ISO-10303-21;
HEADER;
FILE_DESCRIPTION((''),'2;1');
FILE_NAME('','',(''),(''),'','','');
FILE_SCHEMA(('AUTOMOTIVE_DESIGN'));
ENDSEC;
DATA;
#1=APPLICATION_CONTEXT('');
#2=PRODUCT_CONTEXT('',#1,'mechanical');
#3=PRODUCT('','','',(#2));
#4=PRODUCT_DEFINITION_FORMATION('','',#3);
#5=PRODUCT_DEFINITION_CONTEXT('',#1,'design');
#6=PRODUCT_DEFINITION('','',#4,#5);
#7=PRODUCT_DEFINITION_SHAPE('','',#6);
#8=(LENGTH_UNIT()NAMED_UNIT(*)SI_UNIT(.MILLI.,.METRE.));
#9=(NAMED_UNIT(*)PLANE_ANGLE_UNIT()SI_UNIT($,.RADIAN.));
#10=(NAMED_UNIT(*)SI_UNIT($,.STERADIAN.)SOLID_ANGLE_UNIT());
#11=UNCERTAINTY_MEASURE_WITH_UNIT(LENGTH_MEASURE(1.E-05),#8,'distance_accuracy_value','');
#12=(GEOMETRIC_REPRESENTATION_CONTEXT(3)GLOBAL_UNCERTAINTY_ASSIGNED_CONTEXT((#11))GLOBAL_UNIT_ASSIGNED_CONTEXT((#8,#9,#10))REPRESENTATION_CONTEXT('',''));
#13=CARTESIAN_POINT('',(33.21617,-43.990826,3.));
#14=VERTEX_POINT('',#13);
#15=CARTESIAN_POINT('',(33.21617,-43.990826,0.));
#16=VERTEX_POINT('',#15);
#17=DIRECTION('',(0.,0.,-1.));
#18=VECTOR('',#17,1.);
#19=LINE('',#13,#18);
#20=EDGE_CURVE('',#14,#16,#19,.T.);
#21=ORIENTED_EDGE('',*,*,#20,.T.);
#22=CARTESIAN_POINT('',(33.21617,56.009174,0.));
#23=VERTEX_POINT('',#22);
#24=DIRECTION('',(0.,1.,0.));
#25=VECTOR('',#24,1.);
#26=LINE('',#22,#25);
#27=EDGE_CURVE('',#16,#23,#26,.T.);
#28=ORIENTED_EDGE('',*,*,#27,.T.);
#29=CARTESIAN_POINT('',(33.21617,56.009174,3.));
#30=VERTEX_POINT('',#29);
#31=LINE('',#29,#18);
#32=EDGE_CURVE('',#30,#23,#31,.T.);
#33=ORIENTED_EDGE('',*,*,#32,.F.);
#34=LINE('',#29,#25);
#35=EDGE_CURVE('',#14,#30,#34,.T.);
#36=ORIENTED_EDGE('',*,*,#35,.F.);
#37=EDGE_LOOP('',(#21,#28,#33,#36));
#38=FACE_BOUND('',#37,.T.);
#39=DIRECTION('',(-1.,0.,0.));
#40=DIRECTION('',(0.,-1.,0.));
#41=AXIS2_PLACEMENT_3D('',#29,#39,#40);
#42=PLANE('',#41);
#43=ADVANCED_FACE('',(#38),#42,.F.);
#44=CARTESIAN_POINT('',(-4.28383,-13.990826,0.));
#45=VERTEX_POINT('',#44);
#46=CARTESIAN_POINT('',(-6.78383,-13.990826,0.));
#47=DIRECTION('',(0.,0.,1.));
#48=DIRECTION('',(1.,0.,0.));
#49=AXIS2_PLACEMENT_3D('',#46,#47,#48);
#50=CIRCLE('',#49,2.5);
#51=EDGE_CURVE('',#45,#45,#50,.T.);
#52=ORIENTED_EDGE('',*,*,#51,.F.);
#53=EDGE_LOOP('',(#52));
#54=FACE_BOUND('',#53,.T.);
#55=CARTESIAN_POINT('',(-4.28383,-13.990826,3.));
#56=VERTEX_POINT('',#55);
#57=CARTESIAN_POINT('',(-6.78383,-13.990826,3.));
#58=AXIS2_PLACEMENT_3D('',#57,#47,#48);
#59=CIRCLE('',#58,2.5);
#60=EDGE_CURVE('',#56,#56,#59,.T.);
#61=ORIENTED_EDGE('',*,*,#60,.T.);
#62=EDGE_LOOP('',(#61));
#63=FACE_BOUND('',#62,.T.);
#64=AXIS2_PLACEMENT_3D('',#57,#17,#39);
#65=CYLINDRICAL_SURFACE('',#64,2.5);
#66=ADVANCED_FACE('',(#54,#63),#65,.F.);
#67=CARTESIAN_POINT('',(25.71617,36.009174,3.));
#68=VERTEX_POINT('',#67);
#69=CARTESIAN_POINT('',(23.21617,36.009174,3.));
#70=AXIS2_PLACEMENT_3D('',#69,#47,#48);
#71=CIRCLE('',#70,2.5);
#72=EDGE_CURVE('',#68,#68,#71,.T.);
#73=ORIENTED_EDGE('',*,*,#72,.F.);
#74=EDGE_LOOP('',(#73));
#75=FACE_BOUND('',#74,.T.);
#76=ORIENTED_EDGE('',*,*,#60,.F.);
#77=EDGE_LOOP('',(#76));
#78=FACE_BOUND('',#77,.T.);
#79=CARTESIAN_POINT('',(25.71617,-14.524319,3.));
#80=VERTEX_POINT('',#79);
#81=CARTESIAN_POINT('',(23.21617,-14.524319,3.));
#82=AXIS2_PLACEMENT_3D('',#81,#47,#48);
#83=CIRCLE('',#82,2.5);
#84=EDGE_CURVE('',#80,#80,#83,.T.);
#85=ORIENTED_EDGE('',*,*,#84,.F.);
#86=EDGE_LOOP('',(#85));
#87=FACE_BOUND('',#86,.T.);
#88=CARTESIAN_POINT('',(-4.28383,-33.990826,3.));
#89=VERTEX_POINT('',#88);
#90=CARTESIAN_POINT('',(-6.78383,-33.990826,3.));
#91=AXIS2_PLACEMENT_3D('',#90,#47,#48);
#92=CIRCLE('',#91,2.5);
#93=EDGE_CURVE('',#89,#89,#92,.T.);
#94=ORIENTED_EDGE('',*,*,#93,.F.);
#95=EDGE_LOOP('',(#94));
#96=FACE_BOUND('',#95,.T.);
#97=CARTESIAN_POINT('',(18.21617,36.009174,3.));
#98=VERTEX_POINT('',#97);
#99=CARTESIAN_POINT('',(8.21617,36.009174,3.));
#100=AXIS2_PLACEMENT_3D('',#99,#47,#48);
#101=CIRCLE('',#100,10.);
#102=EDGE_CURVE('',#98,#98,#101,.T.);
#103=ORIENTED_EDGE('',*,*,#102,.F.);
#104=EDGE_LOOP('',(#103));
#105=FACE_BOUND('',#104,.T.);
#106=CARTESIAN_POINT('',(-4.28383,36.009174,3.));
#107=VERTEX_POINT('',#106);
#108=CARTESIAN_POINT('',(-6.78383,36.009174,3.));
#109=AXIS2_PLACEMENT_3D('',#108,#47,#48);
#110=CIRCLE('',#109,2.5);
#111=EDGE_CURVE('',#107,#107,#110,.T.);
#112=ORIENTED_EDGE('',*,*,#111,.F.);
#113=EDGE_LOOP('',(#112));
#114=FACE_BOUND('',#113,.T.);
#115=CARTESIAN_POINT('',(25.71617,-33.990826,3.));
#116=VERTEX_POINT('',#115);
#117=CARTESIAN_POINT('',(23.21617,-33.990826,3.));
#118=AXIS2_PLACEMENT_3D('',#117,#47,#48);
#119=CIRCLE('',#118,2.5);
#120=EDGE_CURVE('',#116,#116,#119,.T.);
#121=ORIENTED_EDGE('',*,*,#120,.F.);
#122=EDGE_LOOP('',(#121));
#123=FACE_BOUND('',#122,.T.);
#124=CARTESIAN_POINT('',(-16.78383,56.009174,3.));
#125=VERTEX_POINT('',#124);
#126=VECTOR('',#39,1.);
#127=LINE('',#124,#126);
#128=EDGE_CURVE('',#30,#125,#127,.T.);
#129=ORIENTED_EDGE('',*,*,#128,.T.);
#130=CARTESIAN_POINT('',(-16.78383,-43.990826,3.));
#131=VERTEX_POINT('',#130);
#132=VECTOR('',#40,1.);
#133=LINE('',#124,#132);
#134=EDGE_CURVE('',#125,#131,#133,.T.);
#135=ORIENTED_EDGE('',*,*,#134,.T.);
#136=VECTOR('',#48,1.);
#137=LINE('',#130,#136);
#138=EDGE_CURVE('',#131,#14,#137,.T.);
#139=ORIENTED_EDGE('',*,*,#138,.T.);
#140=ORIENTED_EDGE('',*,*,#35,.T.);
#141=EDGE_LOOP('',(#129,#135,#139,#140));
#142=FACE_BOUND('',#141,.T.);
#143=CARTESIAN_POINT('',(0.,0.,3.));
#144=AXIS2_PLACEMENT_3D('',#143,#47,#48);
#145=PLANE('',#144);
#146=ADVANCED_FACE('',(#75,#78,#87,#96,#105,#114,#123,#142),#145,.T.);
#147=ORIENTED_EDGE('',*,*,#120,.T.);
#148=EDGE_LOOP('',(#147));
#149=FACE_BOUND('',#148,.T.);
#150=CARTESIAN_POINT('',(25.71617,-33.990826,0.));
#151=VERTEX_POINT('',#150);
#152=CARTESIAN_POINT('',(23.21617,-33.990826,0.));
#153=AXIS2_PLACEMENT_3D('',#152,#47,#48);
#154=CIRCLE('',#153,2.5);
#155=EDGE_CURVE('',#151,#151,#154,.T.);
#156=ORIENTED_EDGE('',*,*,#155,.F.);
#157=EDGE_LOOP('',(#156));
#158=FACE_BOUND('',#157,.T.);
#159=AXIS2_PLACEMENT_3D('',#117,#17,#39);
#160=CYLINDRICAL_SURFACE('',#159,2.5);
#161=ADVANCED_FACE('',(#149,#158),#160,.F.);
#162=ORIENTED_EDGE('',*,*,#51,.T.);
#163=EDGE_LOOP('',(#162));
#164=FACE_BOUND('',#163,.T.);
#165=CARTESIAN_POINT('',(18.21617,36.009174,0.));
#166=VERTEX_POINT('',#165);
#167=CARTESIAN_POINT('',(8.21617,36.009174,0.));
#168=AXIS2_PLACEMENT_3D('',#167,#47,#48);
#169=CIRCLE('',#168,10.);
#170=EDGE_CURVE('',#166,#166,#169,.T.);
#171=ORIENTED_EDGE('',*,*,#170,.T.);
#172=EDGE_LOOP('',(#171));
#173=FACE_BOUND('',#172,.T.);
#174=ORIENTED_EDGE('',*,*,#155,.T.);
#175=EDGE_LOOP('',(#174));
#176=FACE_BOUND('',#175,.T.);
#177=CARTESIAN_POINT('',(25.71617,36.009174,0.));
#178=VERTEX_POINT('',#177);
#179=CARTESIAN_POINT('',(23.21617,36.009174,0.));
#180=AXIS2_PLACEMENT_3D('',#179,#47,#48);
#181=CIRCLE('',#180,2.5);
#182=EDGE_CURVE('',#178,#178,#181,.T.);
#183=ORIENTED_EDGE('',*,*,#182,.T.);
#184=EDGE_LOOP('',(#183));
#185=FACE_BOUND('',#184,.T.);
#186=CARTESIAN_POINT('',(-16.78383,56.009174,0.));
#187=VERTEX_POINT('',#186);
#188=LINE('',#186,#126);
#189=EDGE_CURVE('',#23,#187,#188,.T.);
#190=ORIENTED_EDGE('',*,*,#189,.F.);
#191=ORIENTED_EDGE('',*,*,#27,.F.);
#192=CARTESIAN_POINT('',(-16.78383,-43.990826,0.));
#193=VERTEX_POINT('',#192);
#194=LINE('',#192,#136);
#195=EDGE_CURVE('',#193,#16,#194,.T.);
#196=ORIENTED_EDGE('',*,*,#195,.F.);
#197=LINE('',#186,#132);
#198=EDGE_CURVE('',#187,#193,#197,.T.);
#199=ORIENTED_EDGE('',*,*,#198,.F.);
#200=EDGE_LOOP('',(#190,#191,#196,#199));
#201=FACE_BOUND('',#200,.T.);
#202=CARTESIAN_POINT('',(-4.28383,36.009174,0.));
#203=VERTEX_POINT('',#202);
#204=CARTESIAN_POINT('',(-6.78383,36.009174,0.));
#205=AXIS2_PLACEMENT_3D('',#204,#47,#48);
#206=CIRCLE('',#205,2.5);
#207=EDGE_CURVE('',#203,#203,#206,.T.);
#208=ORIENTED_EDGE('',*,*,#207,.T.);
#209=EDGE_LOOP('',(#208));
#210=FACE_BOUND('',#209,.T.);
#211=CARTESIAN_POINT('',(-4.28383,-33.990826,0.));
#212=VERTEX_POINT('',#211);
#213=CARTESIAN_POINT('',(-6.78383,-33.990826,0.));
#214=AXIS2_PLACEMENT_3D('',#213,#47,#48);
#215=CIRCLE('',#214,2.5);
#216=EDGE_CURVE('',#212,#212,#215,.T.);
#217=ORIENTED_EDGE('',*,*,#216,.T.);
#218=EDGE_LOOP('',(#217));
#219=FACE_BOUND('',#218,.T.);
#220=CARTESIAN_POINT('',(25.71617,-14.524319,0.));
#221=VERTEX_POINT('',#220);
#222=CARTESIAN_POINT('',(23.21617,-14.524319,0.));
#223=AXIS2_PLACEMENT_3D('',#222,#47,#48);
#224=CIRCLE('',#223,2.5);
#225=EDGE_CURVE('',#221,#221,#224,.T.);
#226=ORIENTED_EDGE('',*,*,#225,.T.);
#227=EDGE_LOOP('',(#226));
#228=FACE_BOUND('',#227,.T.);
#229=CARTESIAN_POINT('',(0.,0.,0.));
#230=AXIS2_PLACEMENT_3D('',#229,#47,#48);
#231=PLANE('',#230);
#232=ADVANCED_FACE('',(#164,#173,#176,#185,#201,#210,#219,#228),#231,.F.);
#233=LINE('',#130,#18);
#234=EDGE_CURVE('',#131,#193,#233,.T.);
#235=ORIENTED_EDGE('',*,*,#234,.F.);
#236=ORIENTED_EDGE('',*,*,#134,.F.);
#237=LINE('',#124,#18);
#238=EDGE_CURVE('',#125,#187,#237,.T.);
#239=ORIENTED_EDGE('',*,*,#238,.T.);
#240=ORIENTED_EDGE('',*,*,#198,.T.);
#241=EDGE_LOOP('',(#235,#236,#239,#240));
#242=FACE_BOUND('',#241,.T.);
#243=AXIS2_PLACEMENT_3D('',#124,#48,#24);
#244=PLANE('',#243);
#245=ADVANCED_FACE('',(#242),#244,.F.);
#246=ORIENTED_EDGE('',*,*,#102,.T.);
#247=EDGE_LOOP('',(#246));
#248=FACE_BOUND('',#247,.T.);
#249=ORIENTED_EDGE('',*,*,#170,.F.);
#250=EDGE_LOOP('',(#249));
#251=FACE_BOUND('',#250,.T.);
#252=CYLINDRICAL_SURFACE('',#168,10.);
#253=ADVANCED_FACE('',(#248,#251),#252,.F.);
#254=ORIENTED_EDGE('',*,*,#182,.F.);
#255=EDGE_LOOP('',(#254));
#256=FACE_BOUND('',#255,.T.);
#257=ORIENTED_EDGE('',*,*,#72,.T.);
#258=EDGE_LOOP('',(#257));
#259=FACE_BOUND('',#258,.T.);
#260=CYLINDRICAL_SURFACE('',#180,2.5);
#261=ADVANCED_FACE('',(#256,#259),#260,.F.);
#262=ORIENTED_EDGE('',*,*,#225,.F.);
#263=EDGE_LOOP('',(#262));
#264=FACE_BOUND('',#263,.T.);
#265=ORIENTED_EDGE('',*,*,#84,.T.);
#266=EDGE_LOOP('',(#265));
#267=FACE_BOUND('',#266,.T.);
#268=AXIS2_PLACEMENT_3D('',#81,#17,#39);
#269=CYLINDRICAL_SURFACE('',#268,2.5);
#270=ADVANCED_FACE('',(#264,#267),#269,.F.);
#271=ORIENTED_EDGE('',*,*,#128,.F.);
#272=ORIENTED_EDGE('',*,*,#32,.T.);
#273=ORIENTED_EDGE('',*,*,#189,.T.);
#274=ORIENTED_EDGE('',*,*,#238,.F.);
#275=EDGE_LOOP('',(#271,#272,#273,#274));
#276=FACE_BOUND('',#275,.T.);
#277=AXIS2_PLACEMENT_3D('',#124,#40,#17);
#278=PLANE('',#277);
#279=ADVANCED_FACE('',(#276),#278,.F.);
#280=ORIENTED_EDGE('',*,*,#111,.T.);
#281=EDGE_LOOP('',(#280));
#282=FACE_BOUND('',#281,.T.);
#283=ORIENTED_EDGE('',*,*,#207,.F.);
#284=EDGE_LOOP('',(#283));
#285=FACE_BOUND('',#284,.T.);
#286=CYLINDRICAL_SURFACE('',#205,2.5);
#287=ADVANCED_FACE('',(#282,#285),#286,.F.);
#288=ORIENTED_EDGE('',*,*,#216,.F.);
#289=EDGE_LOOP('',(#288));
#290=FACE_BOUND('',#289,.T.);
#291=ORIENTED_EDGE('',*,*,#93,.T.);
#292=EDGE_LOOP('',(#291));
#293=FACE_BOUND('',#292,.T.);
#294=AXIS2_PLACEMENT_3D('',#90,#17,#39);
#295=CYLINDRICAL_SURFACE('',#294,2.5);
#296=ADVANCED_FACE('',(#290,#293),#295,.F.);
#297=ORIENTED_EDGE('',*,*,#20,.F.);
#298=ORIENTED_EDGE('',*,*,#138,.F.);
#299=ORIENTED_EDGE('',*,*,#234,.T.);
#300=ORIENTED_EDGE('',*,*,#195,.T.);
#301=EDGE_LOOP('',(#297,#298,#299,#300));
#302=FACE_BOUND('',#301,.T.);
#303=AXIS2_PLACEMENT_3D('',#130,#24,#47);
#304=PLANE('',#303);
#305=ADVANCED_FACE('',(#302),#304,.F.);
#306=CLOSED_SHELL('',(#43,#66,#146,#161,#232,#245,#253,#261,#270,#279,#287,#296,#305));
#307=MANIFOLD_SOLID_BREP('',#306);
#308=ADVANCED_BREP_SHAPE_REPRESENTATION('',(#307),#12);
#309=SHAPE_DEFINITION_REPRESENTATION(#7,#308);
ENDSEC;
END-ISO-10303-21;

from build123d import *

# Parameters (mm, degrees)
SZKIC1_W                    = 50
SZKIC1_H                    = 100
SZKIC1_R                    = 2.5
DODANIE_WYCI_GNI_CIE1_DEPTH = 3
SZKIC2_R                    = 10
SZKIC2_R_2                  = 2.5
WYTNIJ_WYCI_GNI_CIE1_DEPTH  = 3


with BuildPart() as part:
    # Szkic1 → Dodanie-wyciągnięcie1 (new body)
    with BuildSketch(Plane.XY):
        with Locations((8.216170281, 6.009174312)):
            Rectangle(SZKIC1_W, SZKIC1_H)
        with Locations((23.216170281, -33.990825688)):
            Circle(SZKIC1_R, mode=Mode.SUBTRACT)
        with Locations((-6.783829719, -33.990825688)):
            Circle(SZKIC1_R, mode=Mode.SUBTRACT)
        with Locations((23.216170281, -14.524318973)):
            Circle(SZKIC1_R, mode=Mode.SUBTRACT)
        with Locations((-6.783829719, -13.990825688)):
            Circle(SZKIC1_R, mode=Mode.SUBTRACT)
    extrude(amount=DODANIE_WYCI_GNI_CIE1_DEPTH)

    # Szkic2 → Wytnij-wyciągnięcie1 (cut)
    with BuildSketch(Plane.XY.offset(3)):
        with Locations((8.216170281, 36.009174312)):
            Circle(SZKIC2_R)
        with Locations((-6.783829719, 36.009174312)):
            Circle(SZKIC2_R_2)
        with Locations((23.216170281, 36.009174312)):
            Circle(SZKIC2_R_2)
    extrude(amount=-WYTNIJ_WYCI_GNI_CIE1_DEPTH, mode=Mode.SUBTRACT)


solid = part.part
